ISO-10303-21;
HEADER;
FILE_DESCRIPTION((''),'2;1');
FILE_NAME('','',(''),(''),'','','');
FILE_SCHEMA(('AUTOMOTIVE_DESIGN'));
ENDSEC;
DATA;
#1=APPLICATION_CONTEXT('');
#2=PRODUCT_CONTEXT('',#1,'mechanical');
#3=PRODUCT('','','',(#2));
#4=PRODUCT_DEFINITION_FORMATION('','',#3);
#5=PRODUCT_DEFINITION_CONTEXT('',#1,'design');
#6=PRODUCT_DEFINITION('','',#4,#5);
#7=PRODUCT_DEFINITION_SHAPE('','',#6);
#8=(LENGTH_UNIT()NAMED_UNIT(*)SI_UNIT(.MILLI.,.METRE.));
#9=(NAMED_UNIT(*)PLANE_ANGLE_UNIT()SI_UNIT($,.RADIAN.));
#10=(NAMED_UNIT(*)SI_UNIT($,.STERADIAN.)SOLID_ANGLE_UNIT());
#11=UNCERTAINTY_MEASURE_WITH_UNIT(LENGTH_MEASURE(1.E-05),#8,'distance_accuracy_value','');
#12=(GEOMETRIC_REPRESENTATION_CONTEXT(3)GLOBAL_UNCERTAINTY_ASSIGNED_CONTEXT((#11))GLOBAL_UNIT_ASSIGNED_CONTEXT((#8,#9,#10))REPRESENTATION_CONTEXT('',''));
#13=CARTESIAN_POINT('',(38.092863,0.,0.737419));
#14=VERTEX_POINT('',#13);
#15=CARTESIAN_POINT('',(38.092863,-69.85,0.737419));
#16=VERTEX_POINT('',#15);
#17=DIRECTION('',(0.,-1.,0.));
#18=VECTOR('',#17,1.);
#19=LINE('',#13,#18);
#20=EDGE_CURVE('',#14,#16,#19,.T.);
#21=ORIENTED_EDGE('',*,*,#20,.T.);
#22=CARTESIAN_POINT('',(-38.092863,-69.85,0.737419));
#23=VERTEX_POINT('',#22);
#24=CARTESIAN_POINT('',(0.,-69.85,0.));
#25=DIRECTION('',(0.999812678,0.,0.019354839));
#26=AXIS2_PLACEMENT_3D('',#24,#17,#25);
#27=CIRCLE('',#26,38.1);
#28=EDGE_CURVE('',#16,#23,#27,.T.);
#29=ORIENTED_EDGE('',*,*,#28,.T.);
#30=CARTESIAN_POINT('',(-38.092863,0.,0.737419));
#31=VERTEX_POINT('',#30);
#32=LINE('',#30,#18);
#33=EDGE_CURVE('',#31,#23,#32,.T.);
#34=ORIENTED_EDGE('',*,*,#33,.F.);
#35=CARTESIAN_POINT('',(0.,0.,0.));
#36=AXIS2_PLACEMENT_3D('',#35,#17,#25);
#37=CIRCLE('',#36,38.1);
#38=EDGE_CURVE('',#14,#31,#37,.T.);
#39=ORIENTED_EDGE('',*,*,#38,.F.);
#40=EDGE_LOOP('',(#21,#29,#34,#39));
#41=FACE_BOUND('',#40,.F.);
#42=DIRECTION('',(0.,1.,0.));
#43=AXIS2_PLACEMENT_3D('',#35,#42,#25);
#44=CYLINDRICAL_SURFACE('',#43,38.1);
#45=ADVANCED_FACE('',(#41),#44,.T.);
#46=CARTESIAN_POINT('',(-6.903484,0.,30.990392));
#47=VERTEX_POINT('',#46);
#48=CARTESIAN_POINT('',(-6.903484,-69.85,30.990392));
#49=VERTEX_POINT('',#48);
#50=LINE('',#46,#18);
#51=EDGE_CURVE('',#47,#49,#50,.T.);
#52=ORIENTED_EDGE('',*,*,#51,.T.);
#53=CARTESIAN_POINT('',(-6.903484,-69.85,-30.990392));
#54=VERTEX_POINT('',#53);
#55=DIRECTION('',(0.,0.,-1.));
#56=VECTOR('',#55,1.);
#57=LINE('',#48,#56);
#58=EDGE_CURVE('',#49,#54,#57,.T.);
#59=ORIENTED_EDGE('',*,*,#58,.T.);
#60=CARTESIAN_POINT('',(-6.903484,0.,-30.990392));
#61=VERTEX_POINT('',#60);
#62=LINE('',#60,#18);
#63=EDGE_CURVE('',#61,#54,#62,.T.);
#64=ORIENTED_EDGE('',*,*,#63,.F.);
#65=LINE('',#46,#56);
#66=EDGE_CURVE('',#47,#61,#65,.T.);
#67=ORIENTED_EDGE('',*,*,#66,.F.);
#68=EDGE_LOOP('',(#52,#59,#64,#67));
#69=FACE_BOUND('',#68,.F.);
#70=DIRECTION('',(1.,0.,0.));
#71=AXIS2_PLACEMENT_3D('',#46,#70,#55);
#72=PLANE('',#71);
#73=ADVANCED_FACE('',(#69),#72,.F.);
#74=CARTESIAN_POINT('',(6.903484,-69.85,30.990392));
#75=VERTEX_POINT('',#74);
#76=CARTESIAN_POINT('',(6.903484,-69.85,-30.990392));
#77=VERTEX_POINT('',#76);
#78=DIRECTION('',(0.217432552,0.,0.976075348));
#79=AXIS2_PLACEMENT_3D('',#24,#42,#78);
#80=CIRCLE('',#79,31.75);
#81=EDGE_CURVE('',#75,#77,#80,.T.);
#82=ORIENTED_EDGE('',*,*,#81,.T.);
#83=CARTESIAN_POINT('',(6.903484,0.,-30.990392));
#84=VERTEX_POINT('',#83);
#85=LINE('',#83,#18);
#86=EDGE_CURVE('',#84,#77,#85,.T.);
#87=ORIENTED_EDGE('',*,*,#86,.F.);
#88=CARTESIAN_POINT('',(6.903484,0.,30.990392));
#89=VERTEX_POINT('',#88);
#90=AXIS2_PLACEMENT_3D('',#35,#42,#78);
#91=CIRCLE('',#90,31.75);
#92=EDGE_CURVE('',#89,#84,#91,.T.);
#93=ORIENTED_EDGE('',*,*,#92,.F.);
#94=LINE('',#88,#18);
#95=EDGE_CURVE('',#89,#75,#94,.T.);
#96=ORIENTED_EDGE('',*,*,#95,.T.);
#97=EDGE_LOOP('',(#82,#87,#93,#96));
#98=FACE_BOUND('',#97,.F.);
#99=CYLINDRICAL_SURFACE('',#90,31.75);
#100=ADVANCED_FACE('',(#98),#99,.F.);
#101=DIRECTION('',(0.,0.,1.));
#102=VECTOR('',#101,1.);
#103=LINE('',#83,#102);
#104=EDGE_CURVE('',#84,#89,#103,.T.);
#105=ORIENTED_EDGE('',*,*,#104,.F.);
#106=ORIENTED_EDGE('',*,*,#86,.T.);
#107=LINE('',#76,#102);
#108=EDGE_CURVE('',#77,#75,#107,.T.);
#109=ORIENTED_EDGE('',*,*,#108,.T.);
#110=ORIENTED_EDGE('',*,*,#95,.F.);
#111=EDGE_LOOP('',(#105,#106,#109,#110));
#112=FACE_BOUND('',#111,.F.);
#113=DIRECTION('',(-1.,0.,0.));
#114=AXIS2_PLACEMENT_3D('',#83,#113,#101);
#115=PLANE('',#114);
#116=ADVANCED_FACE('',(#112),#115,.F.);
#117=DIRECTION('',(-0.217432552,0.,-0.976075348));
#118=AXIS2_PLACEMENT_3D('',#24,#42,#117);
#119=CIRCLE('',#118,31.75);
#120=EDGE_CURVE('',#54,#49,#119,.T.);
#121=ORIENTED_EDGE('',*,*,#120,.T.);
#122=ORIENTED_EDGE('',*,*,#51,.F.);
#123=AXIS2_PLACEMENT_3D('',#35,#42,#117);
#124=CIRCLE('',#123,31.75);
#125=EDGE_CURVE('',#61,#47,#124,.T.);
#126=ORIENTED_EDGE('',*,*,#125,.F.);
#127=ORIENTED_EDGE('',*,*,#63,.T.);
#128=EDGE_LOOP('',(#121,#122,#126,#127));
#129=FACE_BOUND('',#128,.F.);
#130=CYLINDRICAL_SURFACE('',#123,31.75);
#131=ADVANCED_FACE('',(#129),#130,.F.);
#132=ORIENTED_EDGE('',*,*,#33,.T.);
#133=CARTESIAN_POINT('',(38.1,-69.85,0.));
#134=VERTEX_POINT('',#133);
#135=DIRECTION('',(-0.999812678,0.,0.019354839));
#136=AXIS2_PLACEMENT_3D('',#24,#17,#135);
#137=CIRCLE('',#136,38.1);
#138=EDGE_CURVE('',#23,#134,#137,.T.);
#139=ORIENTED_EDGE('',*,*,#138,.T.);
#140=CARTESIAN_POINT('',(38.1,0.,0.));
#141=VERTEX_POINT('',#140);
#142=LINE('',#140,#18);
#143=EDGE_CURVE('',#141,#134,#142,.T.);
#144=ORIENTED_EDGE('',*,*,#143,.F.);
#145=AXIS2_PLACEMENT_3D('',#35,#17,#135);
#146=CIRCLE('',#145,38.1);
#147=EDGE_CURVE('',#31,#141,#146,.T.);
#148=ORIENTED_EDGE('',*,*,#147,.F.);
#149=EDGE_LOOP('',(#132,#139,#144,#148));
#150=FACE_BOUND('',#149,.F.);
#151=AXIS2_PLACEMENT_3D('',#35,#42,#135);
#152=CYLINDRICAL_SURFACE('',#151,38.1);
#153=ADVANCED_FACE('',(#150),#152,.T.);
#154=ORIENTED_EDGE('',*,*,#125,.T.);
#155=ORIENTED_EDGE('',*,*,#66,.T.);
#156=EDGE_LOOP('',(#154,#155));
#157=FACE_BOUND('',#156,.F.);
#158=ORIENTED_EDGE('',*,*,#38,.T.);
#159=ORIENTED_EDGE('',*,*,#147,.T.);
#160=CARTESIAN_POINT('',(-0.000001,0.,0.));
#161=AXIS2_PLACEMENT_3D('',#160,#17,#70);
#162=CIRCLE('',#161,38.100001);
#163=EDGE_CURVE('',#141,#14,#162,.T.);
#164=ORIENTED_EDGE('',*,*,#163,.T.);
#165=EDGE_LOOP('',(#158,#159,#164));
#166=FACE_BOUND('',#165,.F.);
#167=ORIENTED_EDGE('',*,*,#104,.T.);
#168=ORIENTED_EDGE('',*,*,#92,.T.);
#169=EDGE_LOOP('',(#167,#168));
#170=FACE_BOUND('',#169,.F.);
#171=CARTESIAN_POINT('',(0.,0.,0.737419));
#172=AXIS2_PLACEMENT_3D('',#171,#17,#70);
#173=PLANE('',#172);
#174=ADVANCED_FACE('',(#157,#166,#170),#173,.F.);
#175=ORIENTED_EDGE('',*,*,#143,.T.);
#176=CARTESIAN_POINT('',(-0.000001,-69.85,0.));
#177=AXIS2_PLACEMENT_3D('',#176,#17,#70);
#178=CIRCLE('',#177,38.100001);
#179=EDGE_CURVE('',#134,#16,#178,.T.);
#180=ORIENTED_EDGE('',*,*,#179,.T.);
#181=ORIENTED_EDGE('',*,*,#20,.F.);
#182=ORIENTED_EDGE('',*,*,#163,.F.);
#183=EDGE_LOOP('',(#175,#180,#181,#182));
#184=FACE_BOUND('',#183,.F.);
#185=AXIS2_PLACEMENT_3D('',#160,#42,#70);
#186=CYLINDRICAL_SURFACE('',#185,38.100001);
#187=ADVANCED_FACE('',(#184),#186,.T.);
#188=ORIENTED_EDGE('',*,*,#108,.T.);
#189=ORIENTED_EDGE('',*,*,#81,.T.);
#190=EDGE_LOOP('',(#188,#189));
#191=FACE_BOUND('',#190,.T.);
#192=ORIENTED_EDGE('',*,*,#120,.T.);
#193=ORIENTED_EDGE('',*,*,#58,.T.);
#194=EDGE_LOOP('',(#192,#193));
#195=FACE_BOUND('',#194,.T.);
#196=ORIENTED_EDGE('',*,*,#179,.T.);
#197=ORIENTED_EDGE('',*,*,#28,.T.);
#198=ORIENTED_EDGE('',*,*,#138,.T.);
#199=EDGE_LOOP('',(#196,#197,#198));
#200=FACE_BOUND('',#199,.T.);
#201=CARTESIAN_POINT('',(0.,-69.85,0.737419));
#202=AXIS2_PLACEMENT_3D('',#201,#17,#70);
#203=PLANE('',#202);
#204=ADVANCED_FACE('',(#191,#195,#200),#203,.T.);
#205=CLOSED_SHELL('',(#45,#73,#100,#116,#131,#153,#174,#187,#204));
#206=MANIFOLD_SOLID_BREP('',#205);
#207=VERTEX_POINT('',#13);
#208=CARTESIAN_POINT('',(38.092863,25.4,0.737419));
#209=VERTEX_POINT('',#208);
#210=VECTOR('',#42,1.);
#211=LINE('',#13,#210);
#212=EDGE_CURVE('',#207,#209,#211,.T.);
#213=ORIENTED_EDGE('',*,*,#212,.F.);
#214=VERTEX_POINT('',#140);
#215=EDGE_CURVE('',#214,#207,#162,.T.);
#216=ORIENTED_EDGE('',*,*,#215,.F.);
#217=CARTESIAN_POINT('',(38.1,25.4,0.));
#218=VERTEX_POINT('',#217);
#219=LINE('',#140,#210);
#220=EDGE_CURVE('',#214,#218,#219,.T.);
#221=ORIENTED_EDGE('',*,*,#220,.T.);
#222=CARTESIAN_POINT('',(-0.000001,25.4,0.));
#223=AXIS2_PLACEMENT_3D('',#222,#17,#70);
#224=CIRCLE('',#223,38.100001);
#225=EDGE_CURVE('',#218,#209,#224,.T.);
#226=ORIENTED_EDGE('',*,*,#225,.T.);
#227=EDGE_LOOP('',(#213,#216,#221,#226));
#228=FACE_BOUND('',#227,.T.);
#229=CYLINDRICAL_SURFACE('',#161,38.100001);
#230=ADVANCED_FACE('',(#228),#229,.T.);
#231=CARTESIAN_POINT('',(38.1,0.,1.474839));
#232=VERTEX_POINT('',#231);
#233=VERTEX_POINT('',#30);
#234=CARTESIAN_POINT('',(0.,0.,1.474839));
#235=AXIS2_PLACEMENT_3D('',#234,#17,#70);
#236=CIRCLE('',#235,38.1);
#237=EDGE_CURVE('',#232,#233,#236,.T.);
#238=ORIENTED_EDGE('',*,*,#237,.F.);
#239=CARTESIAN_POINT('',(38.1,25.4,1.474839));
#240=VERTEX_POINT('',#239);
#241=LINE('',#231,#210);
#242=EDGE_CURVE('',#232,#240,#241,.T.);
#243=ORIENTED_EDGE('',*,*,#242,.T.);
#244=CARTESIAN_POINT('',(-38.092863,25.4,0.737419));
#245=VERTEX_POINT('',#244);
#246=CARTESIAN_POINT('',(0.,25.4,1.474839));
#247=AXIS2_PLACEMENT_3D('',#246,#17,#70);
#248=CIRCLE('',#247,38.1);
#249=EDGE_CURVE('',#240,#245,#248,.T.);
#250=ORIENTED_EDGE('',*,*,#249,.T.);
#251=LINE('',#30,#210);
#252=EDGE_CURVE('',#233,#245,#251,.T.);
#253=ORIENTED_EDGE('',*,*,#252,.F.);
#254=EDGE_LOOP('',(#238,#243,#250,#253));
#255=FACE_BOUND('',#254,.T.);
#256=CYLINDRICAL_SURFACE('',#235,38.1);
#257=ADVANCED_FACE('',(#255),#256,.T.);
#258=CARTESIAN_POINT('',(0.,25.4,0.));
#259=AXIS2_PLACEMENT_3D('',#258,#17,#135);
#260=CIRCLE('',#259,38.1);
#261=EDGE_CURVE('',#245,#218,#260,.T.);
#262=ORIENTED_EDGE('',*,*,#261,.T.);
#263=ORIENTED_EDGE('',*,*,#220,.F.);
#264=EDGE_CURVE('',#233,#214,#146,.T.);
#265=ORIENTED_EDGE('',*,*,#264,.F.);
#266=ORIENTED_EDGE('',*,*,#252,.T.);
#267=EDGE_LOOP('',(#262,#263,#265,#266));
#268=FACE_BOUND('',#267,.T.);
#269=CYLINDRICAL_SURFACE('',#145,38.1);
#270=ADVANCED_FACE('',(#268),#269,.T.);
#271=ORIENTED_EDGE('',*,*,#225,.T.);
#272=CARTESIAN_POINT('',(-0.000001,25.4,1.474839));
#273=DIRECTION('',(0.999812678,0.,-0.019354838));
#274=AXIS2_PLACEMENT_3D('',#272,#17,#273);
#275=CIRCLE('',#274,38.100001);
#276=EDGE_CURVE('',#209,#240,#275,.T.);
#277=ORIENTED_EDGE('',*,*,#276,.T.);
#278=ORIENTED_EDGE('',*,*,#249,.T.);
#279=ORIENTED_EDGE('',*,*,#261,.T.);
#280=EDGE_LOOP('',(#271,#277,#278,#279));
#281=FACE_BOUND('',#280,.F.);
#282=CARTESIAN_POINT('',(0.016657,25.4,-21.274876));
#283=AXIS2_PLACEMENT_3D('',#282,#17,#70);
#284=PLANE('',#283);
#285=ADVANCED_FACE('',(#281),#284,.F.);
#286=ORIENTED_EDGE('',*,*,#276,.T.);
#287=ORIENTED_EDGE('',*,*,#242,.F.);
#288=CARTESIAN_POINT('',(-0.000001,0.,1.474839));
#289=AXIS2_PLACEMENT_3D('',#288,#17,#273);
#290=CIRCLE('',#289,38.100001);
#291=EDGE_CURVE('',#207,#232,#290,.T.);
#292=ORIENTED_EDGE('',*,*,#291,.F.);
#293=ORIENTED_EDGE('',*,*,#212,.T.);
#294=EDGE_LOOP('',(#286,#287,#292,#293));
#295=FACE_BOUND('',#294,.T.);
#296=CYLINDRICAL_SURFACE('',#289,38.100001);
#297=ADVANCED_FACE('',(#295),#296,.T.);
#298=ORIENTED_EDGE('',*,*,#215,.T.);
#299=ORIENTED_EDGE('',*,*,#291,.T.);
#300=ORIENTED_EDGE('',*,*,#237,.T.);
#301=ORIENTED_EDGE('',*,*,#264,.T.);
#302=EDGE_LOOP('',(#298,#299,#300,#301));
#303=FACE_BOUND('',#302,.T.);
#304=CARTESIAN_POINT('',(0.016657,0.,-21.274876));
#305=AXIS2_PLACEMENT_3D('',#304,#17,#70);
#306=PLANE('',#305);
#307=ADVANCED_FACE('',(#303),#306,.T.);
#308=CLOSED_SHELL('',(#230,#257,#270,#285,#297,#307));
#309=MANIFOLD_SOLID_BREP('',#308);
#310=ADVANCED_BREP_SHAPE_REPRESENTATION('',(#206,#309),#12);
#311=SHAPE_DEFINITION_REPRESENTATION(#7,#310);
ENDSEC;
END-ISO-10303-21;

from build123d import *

# Parameters (mm, degrees)
F1_DEPTH = 69.85
F2_DEPTH = 25.4


with BuildPart() as f1:
    # F0 (on Front) → F1 (new body)
    with BuildSketch(Plane.XZ):
        with BuildLine():
            ThreePointArc((-38.0928630153, 0.7374193519), (0, -36.6251612961), (38.0928630153, 0.7374193519))
            ThreePointArc((38.0928630153, 0.7374193519), (0, 38.1), (-38.0928630153, 0.7374193519))
        make_face()
        with BuildLine():
            ThreePointArc((6.9034835295, 30.990392304), (24.7714361923, 19.8604745404), (31.75, 0))
            ThreePointArc((31.75, 0), (24.7714361923, -19.8604745404), (6.9034835295, -30.990392304))
            ThreePointArc((6.9034835295, -30.990392304), (0, -31.75), (-6.9034835295, -30.990392304))
            ThreePointArc((-6.9034835295, -30.990392304), (-31.75, 0), (-6.9034835295, 30.990392304))
            ThreePointArc((-6.9034835295, 30.990392304), (0, 31.75), (6.9034835295, 30.990392304))
        make_face(mode=Mode.SUBTRACT)
        with BuildLine():
            ThreePointArc((-38.0928630153, 0.7374193519), (-0.3687269441, -38.098215712), (38.1, 0))
            ThreePointArc((38.1, 0), (38.098215712, 0.3687269441), (38.0928630153, 0.7374193519))
            ThreePointArc((38.0928630153, 0.7374193519), (0, -36.6251612961), (-38.0928630153, 0.7374193519))
        make_face()
        with BuildLine():
            Line((6.9034835295, -30.990392304), (6.9034835295, 30.990392304))
            ThreePointArc((6.9034835295, 30.990392304), (0, 31.75), (-6.9034835295, 30.990392304))
            Line((-6.9034835295, 30.990392304), (-6.9034835295, -30.990392304))
            ThreePointArc((-6.9034835295, -30.990392304), (0, -31.75), (6.9034835295, -30.990392304))
        make_face()
    extrude(amount=F1_DEPTH)


with BuildPart() as f2:
    # F0 (on Front) → F2 (new body)
    with BuildSketch(Plane.XZ):
        with BuildLine():
            ThreePointArc((-38.0928630153, 0.7374193519), (-0.3687269441, -38.098215712), (38.1, 0))
            ThreePointArc((38.1, 0), (38.098215712, 0.3687269441), (38.0928630153, 0.7374193519))
            ThreePointArc((38.0928630153, 0.7374193519), (0, -36.6251612961), (-38.0928630153, 0.7374193519))
        make_face()
        with BuildLine():
            ThreePointArc((-38.0928630153, 0.7374193519), (0, -36.6251612961), (38.0928630153, 0.7374193519))
            ThreePointArc((38.0928630153, 0.7374193519), (0, 38.1), (-38.0928630153, 0.7374193519))
        make_face()
        with BuildLine():
            ThreePointArc((6.9034835295, 30.990392304), (24.7714361923, 19.8604745404), (31.75, 0))
            ThreePointArc((31.75, 0), (24.7714361923, -19.8604745404), (6.9034835295, -30.990392304))
            ThreePointArc((6.9034835295, -30.990392304), (0, -31.75), (-6.9034835295, -30.990392304))
            ThreePointArc((-6.9034835295, -30.990392304), (-31.75, 0), (-6.9034835295, 30.990392304))
            ThreePointArc((-6.9034835295, 30.990392304), (0, 31.75), (6.9034835295, 30.990392304))
        make_face(mode=Mode.SUBTRACT)
        with BuildLine():
            ThreePointArc((-38.0928630153, 0.7374193519), (0, 38.1), (38.0928630153, 0.7374193519))
            ThreePointArc((38.0928630153, 0.7374193519), (38.098215712, 1.1061117598), (38.1, 1.4748387039))
            ThreePointArc((38.1, 1.4748387039), (-0.3687269441, 39.5730544159), (-38.0928630153, 0.7374193519))
        make_face()
        with BuildLine():
            Line((-6.9034835295, -30.990392304), (-6.9034835295, 30.990392304))
            ThreePointArc((-6.9034835295, 30.990392304), (-31.75, 0), (-6.9034835295, -30.990392304))
        make_face()
        with BuildLine():
            ThreePointArc((6.9034835295, -30.990392304), (24.7714361923, -19.8604745404), (31.75, 0))
            ThreePointArc((31.75, 0), (24.7714361923, 19.8604745404), (6.9034835295, 30.990392304))
            Line((6.9034835295, 30.990392304), (6.9034835295, -30.990392304))
        make_face()
        with BuildLine():
            Line((6.9034835295, -30.990392304), (6.9034835295, 30.990392304))
            ThreePointArc((6.9034835295, 30.990392304), (0, 31.75), (-6.9034835295, 30.990392304))
            Line((-6.9034835295, 30.990392304), (-6.9034835295, -30.990392304))
            ThreePointArc((-6.9034835295, -30.990392304), (0, -31.75), (6.9034835295, -30.990392304))
        make_face()
    extrude(amount=-F2_DEPTH)


solid = Compound([f1.part, f2.part])
